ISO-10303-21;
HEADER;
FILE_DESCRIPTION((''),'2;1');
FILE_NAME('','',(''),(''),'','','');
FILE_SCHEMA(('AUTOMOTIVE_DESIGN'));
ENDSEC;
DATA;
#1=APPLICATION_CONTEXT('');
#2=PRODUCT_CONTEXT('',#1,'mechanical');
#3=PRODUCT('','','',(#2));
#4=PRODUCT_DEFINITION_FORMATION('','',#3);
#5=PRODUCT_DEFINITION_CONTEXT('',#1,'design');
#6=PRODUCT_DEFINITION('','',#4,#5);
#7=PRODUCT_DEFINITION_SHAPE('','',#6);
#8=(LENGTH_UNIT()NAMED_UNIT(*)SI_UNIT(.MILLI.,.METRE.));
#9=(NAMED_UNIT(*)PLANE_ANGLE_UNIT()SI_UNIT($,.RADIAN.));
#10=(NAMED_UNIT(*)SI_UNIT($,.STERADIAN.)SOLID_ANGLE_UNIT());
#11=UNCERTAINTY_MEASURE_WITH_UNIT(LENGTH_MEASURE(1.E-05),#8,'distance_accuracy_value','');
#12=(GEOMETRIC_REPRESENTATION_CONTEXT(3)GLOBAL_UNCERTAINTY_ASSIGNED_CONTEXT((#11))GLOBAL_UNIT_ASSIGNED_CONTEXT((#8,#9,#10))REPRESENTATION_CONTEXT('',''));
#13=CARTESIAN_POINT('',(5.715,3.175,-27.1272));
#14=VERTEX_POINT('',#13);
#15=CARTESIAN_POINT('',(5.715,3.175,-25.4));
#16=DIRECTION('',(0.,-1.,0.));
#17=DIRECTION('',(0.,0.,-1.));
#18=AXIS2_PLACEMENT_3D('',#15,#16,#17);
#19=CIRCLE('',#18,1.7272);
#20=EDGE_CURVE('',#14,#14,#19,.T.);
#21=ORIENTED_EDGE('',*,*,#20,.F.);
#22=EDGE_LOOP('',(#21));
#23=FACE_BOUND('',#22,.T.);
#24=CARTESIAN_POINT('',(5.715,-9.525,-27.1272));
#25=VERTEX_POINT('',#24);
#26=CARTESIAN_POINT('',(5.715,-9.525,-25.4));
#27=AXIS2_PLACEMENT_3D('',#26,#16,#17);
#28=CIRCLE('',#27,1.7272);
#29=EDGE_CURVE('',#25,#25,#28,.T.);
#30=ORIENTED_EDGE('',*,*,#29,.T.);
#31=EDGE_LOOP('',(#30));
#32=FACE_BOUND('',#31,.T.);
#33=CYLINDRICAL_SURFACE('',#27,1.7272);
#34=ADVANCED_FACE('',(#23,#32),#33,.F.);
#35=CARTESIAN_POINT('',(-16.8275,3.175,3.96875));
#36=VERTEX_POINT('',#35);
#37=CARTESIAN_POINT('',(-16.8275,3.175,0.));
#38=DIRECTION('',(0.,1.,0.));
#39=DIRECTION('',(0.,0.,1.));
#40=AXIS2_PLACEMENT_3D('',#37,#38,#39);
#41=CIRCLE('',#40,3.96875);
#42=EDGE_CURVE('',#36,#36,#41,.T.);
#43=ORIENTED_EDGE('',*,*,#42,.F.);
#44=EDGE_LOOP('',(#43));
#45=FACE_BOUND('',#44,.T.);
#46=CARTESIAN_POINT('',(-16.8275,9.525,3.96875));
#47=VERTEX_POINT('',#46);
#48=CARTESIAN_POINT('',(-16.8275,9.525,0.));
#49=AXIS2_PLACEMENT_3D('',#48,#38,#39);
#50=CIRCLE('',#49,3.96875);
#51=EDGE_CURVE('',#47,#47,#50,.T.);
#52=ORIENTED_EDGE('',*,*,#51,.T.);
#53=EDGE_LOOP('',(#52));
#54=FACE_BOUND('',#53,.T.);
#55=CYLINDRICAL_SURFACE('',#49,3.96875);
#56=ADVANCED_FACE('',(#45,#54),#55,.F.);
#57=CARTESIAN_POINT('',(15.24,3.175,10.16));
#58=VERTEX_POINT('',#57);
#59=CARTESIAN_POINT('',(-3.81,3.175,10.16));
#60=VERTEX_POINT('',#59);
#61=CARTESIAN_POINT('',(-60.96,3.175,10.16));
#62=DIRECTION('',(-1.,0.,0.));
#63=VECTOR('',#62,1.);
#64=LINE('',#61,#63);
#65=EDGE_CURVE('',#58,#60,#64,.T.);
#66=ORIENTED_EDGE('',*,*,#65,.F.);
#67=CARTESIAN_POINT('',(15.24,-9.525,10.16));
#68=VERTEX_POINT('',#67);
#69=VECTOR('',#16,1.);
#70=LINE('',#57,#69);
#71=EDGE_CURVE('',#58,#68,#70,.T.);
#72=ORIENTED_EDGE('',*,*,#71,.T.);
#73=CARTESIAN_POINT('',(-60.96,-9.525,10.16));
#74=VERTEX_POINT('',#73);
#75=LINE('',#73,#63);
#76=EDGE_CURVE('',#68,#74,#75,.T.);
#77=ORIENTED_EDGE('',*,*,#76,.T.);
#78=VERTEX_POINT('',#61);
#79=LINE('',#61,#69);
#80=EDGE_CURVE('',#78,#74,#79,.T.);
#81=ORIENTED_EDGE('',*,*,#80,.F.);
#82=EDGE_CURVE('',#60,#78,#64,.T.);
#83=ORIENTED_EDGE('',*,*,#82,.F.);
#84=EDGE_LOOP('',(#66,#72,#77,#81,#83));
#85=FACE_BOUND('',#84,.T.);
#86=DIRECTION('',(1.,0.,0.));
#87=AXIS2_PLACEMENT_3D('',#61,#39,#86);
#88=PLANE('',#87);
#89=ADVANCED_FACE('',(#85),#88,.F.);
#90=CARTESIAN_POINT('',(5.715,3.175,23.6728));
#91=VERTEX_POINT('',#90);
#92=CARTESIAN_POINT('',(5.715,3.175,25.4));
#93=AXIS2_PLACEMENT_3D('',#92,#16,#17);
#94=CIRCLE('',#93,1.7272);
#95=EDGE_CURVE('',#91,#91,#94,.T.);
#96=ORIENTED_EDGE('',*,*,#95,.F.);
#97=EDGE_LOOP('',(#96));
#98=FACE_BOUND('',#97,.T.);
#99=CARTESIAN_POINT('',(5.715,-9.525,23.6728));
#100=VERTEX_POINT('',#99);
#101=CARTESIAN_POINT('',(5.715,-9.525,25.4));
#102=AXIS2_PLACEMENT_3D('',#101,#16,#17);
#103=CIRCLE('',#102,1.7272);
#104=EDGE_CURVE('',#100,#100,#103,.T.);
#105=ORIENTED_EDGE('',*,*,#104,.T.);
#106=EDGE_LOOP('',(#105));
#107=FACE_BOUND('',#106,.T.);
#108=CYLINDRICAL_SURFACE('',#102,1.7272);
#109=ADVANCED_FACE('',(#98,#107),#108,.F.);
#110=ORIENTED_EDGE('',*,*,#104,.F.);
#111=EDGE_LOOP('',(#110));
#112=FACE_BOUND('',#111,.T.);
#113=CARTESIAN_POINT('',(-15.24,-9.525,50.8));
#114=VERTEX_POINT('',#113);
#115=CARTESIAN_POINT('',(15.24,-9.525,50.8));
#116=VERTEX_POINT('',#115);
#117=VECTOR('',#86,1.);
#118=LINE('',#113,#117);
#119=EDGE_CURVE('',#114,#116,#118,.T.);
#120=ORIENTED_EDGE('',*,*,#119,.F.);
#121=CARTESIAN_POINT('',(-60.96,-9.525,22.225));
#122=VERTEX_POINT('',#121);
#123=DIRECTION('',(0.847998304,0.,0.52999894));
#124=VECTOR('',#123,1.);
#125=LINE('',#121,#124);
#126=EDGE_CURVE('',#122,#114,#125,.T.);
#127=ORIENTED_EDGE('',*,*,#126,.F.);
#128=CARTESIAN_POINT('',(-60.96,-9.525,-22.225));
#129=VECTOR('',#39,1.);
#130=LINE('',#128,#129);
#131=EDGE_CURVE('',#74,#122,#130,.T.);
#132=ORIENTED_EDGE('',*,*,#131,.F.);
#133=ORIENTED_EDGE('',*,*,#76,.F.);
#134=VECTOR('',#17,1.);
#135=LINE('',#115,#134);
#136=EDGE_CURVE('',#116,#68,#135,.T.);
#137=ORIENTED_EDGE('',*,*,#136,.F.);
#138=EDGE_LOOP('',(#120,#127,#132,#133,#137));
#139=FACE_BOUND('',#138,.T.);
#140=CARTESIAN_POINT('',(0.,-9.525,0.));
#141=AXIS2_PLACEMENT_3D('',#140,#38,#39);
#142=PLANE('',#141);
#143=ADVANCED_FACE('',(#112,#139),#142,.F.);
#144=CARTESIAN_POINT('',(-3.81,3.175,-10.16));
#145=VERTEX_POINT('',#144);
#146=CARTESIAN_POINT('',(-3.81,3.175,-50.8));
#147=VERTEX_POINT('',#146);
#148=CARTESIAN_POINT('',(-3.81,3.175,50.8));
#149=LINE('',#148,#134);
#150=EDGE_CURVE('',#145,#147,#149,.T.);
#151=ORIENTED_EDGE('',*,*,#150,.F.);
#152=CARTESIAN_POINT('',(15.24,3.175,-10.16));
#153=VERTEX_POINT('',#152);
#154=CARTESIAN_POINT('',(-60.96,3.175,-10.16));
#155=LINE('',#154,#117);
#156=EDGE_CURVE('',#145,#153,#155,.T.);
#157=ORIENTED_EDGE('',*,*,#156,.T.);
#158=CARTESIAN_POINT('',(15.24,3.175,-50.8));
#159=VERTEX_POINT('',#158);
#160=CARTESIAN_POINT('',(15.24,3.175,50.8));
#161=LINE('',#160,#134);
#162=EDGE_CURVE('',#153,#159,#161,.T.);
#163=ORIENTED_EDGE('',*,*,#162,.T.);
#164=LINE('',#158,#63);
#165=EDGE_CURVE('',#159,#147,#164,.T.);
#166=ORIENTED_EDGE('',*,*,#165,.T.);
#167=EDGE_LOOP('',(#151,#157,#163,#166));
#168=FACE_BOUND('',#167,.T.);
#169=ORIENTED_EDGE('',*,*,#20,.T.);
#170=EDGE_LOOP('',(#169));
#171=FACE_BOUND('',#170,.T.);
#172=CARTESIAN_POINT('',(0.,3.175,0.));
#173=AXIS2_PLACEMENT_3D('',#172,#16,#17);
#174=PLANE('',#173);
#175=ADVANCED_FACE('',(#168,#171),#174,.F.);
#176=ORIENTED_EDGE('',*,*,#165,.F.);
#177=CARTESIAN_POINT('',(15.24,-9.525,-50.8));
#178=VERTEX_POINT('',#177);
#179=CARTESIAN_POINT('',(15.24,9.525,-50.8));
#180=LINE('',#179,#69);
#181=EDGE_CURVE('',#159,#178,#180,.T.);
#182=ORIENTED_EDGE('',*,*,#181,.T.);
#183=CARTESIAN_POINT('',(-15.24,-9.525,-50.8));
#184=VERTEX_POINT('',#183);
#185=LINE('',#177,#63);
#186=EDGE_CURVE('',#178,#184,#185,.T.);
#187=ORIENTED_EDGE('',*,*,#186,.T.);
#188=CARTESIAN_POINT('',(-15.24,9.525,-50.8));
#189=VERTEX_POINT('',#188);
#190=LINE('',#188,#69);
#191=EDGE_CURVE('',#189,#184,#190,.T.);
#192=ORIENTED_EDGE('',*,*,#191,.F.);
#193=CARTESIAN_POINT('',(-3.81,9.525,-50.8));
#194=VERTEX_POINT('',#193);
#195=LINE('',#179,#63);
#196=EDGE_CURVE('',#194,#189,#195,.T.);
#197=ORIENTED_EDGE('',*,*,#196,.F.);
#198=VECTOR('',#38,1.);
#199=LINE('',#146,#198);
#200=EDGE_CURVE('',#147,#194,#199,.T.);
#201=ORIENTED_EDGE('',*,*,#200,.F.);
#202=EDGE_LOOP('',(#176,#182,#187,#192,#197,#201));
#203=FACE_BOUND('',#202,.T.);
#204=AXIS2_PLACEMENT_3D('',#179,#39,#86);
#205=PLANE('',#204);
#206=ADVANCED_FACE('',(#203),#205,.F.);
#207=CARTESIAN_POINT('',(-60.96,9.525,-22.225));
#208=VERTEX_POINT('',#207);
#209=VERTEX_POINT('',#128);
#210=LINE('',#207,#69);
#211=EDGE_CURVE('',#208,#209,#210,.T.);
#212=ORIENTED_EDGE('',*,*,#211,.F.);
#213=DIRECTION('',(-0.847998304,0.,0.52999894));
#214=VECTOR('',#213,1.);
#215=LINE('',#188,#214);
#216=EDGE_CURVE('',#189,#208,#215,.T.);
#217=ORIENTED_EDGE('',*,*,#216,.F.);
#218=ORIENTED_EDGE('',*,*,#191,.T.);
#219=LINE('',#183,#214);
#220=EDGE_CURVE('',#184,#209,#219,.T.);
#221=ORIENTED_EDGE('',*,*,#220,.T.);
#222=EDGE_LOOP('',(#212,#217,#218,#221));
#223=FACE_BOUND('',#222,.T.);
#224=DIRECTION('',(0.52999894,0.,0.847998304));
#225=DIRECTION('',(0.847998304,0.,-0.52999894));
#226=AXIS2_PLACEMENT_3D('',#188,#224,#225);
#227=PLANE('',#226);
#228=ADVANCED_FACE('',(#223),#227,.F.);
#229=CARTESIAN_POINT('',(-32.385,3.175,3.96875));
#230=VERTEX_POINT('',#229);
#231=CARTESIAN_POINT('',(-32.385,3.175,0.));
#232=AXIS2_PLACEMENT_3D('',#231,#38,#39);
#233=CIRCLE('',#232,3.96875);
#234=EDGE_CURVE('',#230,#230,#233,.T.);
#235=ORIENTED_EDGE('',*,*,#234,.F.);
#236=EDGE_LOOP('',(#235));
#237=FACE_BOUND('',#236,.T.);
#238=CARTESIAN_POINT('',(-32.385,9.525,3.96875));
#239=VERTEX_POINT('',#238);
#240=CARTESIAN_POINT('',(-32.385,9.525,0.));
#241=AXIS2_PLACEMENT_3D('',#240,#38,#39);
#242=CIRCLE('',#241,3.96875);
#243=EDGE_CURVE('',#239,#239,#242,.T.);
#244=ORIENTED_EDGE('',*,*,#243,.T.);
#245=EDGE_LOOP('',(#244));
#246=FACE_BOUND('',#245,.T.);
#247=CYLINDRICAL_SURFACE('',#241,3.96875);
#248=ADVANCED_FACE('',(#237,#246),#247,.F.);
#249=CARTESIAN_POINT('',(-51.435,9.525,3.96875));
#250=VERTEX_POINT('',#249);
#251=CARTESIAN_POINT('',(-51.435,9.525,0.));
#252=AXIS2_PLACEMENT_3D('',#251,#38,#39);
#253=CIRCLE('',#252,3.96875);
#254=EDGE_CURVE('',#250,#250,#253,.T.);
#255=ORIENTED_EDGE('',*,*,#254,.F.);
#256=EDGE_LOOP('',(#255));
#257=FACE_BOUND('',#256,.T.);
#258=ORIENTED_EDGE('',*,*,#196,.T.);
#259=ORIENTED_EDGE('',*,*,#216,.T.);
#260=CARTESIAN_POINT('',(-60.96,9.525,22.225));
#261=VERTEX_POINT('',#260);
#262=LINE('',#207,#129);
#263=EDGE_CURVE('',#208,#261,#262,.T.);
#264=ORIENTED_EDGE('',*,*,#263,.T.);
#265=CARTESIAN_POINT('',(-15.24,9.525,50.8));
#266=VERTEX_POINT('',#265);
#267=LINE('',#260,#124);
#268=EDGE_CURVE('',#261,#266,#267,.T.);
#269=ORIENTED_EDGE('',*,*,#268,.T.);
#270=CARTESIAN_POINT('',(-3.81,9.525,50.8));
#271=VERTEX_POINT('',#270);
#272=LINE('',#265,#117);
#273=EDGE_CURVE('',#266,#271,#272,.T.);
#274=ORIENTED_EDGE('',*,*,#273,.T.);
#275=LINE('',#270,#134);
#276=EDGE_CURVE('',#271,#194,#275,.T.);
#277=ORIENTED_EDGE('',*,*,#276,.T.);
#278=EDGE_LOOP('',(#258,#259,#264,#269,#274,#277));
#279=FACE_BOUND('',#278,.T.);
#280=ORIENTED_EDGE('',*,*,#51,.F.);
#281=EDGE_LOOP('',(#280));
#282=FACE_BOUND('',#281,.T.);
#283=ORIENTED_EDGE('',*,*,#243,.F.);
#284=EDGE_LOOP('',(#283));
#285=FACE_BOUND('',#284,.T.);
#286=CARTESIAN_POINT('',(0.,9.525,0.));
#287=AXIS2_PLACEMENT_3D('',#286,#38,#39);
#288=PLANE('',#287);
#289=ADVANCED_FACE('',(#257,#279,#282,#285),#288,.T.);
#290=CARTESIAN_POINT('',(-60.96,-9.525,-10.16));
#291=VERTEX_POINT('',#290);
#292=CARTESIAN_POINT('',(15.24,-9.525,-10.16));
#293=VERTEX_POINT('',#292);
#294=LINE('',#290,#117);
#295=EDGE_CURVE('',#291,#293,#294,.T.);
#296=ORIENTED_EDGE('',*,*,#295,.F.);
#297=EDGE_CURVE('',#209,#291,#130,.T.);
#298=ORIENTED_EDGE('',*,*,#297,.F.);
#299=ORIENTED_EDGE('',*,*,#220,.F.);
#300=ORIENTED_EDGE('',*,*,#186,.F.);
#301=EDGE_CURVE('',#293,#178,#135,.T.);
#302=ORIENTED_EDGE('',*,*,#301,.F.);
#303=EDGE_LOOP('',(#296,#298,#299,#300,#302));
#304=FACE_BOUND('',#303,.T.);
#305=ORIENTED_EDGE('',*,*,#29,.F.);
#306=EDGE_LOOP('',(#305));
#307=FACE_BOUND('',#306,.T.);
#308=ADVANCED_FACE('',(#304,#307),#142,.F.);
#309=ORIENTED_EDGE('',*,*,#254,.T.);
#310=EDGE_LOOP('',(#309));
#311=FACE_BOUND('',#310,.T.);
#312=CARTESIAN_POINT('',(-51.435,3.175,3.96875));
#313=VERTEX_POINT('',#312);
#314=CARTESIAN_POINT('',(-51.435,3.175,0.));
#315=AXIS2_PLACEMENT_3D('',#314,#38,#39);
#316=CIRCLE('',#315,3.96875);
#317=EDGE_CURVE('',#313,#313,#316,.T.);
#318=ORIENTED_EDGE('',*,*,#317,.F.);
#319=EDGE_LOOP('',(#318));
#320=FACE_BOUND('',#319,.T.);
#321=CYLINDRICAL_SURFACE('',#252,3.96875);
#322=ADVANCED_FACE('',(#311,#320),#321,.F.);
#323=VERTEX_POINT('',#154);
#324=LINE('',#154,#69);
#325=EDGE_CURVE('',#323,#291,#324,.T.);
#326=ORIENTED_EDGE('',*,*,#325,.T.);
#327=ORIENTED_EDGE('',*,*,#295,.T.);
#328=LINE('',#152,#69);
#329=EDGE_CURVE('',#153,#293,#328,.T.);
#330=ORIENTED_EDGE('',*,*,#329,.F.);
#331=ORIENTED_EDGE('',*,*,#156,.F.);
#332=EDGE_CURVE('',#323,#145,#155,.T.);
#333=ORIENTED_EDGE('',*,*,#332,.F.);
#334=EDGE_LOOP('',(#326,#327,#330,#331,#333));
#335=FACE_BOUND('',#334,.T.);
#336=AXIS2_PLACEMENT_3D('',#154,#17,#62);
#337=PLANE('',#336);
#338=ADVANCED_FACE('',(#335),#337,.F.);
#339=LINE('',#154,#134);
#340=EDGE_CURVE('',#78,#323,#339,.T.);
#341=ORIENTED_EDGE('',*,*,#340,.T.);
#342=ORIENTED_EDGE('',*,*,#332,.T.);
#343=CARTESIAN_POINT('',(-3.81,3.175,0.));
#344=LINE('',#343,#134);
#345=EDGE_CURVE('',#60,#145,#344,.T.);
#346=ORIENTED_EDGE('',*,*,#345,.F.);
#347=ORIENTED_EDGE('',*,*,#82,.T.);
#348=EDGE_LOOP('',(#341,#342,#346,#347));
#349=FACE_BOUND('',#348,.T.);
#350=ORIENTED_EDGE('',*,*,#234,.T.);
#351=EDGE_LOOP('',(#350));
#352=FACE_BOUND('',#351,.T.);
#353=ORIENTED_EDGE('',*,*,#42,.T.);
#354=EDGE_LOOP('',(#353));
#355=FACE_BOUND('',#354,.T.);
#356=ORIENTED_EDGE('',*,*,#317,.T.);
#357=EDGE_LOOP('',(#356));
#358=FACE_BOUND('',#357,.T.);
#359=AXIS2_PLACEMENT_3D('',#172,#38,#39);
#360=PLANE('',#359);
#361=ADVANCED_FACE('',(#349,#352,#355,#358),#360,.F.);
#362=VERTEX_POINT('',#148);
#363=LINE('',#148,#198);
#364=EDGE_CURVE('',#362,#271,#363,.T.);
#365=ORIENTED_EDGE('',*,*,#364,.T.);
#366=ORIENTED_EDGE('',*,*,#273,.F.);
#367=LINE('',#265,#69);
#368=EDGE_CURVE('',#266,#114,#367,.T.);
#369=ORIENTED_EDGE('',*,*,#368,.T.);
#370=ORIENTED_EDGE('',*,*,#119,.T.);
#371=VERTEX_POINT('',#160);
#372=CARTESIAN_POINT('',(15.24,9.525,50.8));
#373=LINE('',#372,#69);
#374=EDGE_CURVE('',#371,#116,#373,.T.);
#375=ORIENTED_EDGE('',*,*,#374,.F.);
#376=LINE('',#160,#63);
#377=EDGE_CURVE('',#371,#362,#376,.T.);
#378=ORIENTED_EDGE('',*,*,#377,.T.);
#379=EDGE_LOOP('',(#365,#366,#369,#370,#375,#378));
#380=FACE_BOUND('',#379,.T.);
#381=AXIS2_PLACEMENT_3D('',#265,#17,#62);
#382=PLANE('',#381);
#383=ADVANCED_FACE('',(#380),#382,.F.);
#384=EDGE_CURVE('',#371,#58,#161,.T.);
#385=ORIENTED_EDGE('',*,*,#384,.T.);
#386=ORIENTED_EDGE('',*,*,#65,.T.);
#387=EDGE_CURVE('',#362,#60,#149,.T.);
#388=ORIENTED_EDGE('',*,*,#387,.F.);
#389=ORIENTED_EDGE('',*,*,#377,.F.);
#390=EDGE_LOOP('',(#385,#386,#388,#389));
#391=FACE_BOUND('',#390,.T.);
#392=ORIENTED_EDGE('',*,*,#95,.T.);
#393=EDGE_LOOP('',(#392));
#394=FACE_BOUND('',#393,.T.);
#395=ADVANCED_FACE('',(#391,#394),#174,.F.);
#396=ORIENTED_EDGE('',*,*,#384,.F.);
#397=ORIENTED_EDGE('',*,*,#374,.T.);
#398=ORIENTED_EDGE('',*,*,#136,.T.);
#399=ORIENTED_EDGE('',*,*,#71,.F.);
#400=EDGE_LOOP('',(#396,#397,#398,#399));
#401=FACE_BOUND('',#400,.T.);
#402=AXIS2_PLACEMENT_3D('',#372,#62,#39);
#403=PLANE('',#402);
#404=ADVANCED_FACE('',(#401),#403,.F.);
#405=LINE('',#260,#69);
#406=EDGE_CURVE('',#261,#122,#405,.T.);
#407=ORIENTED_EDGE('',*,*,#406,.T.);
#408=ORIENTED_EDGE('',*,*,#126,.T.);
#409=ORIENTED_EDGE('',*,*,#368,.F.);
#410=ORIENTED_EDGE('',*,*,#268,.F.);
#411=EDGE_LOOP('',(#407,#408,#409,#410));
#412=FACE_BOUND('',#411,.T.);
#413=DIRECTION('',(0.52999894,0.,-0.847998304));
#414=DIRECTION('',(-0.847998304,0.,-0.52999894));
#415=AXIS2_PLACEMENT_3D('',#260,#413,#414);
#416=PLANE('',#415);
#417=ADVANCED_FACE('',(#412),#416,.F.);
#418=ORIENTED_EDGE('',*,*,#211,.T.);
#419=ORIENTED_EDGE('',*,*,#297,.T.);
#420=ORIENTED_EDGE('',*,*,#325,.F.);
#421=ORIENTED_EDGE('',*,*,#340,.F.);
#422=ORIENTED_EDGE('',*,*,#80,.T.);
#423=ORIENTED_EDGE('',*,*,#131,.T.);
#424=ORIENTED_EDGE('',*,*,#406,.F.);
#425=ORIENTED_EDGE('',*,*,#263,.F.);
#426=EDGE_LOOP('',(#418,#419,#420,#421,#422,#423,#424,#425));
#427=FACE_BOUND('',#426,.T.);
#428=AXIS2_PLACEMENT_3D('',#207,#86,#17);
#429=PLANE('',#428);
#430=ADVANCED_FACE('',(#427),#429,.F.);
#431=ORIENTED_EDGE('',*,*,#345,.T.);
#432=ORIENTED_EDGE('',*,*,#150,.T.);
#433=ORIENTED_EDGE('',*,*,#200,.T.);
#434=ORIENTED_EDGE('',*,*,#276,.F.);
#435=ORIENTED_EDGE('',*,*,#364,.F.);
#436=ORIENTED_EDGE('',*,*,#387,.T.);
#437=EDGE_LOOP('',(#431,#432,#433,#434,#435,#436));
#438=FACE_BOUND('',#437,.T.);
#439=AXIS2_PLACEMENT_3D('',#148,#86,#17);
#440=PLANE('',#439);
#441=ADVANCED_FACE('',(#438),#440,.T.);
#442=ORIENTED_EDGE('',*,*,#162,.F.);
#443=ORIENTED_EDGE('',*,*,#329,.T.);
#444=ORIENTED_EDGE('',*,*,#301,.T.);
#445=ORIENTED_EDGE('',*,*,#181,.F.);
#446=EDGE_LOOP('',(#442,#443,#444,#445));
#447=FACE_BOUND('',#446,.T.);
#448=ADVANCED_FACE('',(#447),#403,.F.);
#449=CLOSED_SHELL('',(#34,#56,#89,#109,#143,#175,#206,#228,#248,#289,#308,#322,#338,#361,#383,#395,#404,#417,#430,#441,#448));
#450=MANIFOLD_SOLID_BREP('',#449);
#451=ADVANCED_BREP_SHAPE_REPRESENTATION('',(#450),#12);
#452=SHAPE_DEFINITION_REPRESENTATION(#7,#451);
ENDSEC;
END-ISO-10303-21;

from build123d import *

# Parameters (mm, degrees)
BOSS_EXTRUDE1_DEPTH            = 9.525
SKETCH2_W                      = 76.2
SKETCH2_H                      = 20.32
CUT_EXTRUDE1_DEPTH             = 12.7
SKETCH3_W                      = 19.05
SKETCH3_H                      = 101.6
CUT_EXTRUDE2_DEPTH             = 6.35
F_5_16_0_3125_DIAMETER_HOLE1_D = 7.9375
F_8_32_TAPPED_HOLE1_D          = 3.4544


with BuildPart() as part:
    # Sketch1 → Boss-Extrude1 (new, symmetric)
    with BuildSketch(Plane(origin=(0, 0, 0), x_dir=(1, 0, 0), z_dir=(0, 1, 0))):
        Polygon((-60.96, 22.225), (-60.96, -22.225), (-15.24, -50.8), (15.24, -50.8), (15.24, 50.8), (-15.24, 50.8), align=None)
    extrude(amount=BOSS_EXTRUDE1_DEPTH, both=True)

    # Sketch2 → Cut-Extrude1 (cut)
    with BuildSketch(Plane.XZ.offset(9.525)):
        with Locations((-22.86, 0)):
            Rectangle(SKETCH2_W, SKETCH2_H)
    extrude(amount=-CUT_EXTRUDE1_DEPTH, mode=Mode.SUBTRACT)

    # Sketch3 → Cut-Extrude2 (cut)
    with BuildSketch(Plane(origin=(0, 9.525, 0), x_dir=(1, 0, 0), z_dir=(0, 1, 0))):
        with Locations((5.715, 0)):
            Rectangle(SKETCH3_W, SKETCH3_H)
    extrude(amount=-CUT_EXTRUDE2_DEPTH, mode=Mode.SUBTRACT)

    # 5/16 (0.3125) Diameter Hole1 (through all)
    with Locations(Plane(origin=(0, 9.525, 0), x_dir=(1, 0, 0), z_dir=(0, 1, 0))):
        with Locations((-51.435, 0), (-32.385, 0), (-16.8275, 0)):
            Hole(F_5_16_0_3125_DIAMETER_HOLE1_D / 2)

    # #8-32 Tapped Hole1 (through all)
    with Locations(Plane(origin=(0, -9.525, 0), x_dir=(-1, 0, 0), z_dir=(0, -1, 0))):
        with Locations((-5.715, -25.4), (-5.715, 25.4)):
            Hole(F_8_32_TAPPED_HOLE1_D / 2)


solid = part.part
